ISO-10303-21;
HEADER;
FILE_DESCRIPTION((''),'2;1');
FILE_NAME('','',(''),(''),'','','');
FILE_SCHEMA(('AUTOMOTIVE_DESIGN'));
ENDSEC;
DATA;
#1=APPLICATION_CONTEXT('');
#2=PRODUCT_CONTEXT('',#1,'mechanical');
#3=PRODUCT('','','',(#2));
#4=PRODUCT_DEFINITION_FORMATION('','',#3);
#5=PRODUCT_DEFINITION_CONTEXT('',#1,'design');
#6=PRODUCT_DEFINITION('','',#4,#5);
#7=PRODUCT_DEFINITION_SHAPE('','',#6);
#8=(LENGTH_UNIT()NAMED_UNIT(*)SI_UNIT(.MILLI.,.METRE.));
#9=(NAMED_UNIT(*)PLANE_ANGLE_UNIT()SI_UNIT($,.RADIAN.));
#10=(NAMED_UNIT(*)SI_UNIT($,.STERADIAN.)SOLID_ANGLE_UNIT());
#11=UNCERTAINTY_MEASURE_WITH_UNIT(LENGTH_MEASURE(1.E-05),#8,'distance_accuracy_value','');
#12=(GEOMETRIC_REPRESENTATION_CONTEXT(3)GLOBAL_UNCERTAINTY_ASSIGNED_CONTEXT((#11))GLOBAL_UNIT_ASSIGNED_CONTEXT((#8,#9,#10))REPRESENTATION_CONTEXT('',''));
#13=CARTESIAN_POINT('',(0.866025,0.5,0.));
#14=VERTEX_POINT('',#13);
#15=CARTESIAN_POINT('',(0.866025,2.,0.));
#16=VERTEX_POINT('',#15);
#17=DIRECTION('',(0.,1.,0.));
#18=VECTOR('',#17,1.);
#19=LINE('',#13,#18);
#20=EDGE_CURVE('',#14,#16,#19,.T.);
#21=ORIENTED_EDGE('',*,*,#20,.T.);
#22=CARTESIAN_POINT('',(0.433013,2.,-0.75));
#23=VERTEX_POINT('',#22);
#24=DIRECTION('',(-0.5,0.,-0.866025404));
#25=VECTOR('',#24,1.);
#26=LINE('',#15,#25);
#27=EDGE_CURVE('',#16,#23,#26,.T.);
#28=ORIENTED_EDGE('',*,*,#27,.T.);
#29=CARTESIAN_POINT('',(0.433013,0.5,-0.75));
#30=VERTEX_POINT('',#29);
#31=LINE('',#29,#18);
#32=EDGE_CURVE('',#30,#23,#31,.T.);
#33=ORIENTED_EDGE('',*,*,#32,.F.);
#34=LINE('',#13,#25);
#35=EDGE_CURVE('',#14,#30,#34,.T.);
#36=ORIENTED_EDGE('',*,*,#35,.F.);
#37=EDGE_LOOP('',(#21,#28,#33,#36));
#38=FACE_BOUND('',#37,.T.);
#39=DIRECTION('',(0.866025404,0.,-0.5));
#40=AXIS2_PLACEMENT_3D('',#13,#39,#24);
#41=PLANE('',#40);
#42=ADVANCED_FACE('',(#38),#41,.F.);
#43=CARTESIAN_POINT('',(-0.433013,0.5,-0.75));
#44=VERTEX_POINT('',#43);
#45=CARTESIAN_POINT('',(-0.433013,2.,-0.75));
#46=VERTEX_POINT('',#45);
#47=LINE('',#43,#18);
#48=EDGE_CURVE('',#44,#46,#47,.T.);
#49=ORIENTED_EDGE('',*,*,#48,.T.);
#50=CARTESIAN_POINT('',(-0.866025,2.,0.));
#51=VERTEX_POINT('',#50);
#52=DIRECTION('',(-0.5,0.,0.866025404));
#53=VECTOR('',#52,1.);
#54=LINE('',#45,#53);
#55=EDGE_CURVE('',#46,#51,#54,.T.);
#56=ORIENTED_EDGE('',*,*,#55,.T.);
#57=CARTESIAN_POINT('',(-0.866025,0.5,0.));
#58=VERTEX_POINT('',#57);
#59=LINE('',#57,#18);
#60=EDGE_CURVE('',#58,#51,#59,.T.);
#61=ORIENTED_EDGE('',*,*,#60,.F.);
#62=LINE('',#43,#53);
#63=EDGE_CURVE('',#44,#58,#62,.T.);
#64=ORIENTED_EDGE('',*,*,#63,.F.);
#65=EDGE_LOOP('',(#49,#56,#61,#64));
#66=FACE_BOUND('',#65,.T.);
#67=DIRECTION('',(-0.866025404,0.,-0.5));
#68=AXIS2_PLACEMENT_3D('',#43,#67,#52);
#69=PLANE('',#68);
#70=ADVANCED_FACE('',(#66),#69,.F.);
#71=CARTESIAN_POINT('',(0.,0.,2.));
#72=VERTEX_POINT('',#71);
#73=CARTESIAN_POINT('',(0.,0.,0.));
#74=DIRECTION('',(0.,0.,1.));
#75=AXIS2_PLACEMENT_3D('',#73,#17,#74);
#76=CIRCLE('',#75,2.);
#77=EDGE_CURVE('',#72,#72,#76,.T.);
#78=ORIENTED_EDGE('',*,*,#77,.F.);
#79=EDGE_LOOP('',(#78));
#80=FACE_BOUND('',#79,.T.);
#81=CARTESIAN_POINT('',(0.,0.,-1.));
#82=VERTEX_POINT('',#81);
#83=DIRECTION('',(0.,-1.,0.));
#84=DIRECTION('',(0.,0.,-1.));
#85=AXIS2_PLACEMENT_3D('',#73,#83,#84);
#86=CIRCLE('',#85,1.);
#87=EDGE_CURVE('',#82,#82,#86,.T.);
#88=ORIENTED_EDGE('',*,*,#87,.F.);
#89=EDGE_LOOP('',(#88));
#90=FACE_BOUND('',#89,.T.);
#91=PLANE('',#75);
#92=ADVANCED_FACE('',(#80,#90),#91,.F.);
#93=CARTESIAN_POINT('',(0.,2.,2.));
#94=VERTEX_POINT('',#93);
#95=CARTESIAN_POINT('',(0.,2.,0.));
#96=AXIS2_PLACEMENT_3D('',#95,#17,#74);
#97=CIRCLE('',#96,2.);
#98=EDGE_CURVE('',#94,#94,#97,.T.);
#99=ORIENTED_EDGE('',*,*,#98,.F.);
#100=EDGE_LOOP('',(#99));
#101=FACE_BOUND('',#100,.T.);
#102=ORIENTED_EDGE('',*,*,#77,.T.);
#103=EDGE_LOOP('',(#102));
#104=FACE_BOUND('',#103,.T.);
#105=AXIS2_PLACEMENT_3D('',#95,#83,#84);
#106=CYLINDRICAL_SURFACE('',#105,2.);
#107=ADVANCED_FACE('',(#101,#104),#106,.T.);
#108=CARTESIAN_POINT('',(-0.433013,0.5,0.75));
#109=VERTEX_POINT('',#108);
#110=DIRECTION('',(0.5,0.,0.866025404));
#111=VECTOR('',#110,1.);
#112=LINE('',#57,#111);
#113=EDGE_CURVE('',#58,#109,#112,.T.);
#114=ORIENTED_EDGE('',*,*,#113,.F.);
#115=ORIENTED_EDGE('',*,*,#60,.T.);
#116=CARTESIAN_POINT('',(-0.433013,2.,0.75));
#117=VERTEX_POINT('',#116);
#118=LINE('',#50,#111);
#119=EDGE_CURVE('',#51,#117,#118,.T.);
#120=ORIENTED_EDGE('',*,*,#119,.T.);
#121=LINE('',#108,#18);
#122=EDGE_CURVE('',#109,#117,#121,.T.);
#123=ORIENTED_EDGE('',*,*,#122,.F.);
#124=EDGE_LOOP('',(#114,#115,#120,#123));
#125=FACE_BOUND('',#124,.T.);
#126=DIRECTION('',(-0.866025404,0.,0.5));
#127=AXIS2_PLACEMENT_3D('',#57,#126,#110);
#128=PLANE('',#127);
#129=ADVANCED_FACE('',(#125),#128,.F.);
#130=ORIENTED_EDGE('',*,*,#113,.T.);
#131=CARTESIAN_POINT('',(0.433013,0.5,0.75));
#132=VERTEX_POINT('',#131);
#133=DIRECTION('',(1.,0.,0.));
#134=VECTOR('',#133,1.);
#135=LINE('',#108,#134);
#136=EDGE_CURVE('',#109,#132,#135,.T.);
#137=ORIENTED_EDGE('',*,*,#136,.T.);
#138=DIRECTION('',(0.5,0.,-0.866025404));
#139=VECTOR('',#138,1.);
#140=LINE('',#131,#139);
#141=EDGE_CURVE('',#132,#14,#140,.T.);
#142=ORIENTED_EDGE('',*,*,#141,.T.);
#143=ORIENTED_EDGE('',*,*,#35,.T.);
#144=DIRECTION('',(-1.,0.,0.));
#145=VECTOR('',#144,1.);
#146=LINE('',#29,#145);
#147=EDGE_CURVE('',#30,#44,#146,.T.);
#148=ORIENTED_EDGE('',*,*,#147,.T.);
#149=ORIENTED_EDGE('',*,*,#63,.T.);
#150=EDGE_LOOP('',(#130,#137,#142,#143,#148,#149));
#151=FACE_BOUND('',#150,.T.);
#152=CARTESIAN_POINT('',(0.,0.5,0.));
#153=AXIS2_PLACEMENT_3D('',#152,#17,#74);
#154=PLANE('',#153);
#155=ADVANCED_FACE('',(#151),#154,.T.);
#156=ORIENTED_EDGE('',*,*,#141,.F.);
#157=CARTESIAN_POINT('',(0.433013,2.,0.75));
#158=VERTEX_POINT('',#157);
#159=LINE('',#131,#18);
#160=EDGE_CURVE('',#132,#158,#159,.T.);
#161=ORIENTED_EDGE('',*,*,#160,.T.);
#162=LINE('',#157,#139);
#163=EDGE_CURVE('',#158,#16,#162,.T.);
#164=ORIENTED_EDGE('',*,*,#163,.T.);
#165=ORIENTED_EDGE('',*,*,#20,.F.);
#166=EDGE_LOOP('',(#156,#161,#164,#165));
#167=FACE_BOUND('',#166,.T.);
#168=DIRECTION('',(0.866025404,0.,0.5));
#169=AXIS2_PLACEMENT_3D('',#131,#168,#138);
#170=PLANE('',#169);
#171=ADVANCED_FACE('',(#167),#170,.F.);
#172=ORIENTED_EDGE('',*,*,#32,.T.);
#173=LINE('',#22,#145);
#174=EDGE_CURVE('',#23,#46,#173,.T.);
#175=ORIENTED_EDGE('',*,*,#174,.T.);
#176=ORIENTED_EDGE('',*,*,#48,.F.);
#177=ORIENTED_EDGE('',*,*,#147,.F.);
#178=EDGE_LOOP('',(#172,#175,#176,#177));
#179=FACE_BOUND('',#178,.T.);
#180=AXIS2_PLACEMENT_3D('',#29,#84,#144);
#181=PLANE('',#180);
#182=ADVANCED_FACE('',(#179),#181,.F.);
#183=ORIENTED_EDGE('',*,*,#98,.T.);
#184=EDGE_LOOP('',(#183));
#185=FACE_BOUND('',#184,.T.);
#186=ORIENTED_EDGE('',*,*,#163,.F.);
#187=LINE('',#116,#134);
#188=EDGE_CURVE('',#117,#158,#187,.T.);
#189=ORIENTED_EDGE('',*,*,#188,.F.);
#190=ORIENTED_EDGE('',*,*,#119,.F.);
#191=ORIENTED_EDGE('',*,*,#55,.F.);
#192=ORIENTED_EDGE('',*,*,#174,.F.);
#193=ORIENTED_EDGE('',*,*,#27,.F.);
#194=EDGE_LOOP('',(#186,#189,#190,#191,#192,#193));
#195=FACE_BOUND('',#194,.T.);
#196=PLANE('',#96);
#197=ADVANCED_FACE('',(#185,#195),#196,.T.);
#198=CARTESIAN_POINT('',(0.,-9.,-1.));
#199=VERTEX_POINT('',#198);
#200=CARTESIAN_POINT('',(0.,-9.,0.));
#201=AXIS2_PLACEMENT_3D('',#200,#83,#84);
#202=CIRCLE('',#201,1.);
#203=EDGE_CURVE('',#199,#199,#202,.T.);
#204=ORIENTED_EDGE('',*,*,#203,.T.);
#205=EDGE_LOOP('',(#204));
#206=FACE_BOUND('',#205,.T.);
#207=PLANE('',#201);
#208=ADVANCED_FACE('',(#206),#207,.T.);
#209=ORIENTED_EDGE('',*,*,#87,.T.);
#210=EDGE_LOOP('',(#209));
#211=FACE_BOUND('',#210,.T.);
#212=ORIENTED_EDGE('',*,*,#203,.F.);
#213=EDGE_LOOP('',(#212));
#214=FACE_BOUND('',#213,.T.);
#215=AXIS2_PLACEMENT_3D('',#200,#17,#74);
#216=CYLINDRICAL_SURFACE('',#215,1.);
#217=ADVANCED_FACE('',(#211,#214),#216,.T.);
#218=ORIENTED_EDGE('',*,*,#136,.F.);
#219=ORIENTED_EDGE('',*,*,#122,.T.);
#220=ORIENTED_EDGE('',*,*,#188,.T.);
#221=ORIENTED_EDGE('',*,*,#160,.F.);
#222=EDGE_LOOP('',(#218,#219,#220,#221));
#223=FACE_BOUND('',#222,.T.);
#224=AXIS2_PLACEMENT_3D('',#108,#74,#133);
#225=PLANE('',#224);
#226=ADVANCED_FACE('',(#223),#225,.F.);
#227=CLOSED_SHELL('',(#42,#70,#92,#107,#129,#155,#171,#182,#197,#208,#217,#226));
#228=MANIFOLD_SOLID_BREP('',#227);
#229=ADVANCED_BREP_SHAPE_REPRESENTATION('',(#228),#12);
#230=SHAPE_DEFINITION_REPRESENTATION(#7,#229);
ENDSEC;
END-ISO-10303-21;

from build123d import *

# Parameters (mm, degrees)
SKETCH_1_R            = 2
EXTRUDE_246_DEPTH     = 2
CUT_EXTRUDE_376_DEPTH = 1.5
SKETCH_3_R            = 1
EXTRUDE_477_DEPTH     = 9


with BuildPart() as part:
    # 草图1 → Extrude 246 (new body)
    with BuildSketch(Plane(origin=(0, 0, 0), x_dir=(1, 0, 0), z_dir=(0, 1, 0))):
        Circle(SKETCH_1_R)
    extrude(amount=EXTRUDE_246_DEPTH)

    # 草图2 → Cut-Extrude 376 (cut)
    with BuildSketch(Plane(origin=(0, 2, 0), x_dir=(1, 0, 0), z_dir=(0, 1, 0))):
        Polygon((0.866025404, 0), (0.433012702, 0.75), (-0.433012702, 0.75), (-0.866025404, 0), (-0.433012702, -0.75), (0.433012702, -0.75), align=None)
    extrude(amount=-CUT_EXTRUDE_376_DEPTH, mode=Mode.SUBTRACT)

    # 草图3 → Extrude 477 (add)
    with BuildSketch(Plane.XZ):
        Circle(SKETCH_3_R)
    extrude(amount=EXTRUDE_477_DEPTH)


solid = part.part
